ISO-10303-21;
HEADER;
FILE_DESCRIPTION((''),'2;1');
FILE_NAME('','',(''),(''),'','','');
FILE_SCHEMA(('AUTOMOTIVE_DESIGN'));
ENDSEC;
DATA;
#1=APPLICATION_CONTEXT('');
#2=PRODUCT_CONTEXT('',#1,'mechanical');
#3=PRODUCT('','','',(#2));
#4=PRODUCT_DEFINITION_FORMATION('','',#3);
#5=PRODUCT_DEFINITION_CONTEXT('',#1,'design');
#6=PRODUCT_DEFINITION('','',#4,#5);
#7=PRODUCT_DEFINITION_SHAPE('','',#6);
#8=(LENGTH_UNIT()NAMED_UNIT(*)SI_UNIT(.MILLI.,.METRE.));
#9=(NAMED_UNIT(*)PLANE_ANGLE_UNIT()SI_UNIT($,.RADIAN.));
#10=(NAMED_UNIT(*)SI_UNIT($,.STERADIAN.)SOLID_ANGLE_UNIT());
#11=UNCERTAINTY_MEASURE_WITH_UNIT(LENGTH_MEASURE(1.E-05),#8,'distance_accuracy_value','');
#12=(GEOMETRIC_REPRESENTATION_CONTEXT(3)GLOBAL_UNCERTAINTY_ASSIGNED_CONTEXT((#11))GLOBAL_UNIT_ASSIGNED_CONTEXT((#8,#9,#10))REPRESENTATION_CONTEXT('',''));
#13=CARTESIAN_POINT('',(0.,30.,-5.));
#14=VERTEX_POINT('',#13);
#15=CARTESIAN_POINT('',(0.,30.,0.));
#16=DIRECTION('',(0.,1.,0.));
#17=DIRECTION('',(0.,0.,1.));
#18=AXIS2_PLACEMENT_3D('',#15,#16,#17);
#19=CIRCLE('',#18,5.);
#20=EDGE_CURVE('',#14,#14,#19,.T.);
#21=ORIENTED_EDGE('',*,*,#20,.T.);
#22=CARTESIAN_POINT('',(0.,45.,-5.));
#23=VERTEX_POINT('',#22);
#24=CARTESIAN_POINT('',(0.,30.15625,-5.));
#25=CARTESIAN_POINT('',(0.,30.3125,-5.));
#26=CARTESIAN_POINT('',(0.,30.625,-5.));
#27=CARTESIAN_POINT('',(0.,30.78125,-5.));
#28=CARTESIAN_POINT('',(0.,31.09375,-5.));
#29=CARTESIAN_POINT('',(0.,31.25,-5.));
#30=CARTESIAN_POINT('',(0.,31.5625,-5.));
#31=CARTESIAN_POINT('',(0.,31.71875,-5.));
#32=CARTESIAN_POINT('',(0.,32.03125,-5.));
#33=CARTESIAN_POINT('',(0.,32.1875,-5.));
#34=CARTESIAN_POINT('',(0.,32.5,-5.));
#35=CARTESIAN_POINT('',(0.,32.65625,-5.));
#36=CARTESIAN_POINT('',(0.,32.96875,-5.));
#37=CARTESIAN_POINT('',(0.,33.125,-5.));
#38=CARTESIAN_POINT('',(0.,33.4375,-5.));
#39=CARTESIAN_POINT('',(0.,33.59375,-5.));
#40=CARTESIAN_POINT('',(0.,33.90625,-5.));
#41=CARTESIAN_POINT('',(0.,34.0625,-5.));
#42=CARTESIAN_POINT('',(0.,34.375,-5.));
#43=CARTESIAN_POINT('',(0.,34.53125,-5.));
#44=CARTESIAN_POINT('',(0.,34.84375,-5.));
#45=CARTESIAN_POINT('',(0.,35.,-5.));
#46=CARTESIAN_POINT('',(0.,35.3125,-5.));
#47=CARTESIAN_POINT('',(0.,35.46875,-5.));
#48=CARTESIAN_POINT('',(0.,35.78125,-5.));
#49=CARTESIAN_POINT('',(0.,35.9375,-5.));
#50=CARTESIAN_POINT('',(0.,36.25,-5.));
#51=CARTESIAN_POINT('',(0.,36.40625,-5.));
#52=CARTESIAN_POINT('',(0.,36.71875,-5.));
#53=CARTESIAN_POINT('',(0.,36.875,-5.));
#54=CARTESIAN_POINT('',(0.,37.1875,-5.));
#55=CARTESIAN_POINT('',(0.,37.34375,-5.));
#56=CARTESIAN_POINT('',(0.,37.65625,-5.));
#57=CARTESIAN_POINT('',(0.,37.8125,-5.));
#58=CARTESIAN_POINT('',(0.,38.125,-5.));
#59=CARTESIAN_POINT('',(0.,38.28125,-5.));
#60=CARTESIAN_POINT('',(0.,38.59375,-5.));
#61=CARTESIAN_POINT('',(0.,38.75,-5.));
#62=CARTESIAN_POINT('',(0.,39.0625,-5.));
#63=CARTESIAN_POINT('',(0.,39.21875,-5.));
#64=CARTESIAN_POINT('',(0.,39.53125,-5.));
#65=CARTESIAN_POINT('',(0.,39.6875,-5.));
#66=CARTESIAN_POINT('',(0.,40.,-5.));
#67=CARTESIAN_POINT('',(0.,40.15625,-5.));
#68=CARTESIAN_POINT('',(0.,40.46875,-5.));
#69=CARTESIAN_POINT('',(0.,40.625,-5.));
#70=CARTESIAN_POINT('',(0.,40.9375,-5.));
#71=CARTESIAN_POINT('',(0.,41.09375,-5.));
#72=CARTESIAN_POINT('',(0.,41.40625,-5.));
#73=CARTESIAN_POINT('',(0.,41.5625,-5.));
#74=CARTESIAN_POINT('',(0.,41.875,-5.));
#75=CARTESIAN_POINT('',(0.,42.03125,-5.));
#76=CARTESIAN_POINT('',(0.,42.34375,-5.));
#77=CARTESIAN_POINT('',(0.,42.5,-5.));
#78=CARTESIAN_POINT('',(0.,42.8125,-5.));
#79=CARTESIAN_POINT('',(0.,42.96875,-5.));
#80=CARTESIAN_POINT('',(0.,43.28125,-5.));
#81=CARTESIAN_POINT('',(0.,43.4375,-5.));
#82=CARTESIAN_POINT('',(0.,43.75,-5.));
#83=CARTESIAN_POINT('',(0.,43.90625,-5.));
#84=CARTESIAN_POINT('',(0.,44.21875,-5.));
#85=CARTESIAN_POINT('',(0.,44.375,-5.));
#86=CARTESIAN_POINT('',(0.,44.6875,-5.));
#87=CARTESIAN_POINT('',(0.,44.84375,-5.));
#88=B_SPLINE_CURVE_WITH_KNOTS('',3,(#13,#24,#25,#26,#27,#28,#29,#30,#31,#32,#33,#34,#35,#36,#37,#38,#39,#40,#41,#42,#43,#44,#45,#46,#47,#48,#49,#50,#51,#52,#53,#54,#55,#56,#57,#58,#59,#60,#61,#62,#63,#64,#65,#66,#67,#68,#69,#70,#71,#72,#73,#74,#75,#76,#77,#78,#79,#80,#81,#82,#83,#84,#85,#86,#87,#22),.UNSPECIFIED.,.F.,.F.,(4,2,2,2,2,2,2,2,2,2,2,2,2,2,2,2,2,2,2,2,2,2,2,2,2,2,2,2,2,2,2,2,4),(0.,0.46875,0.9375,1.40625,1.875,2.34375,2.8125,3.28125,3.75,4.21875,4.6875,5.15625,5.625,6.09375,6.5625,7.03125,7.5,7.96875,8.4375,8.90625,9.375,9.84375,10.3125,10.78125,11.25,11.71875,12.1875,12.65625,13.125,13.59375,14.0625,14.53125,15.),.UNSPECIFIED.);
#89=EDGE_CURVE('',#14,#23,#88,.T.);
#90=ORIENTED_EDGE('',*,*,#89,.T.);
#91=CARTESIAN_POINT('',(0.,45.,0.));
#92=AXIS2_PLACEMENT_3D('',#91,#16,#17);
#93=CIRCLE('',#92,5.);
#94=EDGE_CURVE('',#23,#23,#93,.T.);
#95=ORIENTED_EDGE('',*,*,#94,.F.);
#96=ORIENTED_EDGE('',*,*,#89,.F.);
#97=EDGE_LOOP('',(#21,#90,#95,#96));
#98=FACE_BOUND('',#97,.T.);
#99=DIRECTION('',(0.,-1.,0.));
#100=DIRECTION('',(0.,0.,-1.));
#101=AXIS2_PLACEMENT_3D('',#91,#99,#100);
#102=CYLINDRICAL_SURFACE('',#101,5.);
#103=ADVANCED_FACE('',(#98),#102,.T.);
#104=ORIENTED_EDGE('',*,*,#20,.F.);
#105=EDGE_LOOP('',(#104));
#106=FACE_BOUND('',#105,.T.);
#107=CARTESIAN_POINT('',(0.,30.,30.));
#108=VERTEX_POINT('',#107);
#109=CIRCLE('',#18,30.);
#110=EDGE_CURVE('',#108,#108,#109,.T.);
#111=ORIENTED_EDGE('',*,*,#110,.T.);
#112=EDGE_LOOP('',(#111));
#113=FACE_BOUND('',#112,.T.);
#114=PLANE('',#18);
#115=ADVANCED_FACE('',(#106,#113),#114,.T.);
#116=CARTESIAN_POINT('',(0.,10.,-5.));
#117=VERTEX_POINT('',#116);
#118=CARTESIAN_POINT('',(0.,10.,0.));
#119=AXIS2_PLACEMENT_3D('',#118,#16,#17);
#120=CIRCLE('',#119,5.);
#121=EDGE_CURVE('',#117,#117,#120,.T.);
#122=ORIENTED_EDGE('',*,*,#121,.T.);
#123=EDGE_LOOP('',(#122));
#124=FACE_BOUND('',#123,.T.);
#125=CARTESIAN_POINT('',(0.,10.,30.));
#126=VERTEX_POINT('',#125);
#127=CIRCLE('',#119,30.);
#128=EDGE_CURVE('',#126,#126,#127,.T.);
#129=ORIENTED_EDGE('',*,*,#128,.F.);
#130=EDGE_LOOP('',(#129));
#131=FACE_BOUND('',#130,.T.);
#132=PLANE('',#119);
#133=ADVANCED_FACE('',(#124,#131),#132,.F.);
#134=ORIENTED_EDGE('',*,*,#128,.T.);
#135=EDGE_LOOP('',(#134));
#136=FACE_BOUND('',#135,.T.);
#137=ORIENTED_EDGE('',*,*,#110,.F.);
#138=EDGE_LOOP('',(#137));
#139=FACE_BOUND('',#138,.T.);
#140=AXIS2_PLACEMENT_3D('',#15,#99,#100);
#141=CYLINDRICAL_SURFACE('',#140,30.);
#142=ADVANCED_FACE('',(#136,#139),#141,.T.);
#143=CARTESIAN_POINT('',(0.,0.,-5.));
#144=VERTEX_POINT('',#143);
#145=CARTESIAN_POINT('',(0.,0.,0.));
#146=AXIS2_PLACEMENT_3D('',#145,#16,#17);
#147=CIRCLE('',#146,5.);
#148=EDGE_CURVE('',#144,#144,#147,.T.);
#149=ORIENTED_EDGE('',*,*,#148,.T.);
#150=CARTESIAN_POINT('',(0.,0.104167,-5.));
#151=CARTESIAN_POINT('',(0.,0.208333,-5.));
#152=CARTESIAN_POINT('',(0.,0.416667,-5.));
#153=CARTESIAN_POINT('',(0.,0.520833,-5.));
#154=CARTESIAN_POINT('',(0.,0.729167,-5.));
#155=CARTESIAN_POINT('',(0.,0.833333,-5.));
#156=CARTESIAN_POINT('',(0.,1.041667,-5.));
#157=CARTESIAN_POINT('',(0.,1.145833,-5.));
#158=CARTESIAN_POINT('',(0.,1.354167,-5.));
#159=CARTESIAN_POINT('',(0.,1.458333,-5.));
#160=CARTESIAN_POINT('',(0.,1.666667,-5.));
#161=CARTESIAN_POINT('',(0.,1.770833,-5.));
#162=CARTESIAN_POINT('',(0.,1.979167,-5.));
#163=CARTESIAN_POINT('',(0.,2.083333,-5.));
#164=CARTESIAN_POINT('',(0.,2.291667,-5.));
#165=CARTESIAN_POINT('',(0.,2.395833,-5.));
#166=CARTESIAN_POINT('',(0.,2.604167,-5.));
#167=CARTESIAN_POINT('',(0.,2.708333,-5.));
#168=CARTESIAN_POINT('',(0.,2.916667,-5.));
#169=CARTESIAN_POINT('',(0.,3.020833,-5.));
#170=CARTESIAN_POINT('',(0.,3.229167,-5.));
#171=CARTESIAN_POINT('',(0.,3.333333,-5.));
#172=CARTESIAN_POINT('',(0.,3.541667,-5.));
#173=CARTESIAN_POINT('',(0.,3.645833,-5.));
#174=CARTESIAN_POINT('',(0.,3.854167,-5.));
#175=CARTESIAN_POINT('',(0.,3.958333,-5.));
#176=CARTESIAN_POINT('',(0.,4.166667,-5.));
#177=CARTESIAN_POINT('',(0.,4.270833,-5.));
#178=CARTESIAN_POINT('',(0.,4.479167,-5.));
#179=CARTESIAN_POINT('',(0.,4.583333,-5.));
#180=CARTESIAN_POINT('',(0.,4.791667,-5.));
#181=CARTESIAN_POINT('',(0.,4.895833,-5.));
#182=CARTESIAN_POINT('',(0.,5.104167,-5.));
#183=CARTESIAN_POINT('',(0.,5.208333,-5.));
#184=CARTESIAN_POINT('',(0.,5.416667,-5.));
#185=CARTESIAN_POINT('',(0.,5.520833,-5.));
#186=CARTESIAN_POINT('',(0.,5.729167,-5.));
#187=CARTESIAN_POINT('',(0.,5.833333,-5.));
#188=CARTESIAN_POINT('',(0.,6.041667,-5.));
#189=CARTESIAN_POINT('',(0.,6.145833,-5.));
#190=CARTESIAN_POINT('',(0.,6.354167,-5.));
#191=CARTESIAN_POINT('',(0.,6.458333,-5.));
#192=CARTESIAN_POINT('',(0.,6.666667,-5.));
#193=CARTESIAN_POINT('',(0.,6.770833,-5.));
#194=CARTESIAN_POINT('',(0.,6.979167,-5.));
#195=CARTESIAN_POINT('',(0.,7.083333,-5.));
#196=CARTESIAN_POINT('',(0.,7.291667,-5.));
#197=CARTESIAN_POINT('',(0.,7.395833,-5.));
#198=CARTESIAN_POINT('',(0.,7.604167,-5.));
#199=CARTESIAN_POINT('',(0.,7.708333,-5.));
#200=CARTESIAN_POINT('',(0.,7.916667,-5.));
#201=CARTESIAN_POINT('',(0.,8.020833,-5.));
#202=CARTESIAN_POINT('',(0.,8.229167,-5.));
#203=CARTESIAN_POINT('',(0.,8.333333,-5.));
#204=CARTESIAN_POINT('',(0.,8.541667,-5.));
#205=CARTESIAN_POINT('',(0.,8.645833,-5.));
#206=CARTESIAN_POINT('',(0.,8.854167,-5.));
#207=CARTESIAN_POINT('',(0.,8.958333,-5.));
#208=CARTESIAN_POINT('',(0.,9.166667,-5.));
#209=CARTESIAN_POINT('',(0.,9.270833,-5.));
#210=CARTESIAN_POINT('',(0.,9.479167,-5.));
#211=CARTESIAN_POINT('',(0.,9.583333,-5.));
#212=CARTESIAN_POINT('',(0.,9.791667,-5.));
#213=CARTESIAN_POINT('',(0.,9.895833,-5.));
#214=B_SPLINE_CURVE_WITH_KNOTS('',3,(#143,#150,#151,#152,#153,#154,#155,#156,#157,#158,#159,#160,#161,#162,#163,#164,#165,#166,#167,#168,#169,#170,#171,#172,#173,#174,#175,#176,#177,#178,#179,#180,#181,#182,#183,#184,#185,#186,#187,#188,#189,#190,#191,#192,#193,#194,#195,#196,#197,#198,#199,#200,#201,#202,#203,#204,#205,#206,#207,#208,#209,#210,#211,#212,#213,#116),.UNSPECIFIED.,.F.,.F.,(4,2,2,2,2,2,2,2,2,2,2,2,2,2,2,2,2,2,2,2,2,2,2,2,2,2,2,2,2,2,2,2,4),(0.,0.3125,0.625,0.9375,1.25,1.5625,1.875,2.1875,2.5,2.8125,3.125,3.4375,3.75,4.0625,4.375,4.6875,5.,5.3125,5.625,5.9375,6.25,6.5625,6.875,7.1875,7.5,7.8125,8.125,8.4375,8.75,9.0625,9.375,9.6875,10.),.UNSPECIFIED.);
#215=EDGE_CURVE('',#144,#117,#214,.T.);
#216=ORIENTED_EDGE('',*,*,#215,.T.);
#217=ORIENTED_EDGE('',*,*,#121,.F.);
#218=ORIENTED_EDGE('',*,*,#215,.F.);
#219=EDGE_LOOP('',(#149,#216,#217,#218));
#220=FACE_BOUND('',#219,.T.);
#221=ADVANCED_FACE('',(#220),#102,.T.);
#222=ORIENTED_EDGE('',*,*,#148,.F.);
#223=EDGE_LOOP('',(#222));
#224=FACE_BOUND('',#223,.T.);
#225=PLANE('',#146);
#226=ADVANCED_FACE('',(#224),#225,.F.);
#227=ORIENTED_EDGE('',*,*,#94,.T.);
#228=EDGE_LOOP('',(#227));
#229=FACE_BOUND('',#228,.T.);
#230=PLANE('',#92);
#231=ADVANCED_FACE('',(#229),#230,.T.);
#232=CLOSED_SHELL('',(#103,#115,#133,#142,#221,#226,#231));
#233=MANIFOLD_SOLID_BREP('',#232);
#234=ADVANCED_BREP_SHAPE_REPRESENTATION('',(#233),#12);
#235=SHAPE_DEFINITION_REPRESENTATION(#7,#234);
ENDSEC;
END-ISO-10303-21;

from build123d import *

# Parameters (mm, degrees)
SKETCH1_R           = 5
BOSS_EXTRUDE1_DEPTH = 45
BOSS_EXTRUDE2_START = 10
SKETCH2_R           = 30
BOSS_EXTRUDE2_DEPTH = 20


with BuildPart() as part:
    # Sketch1 → Boss-Extrude1 (new body)
    with BuildSketch(Plane(origin=(0, 0, 0), x_dir=(1, 0, 0), z_dir=(0, 1, 0))):
        with Locations(Location((0, 0, 0), (0, 0, 90))):
            Circle(SKETCH1_R)
    extrude(amount=BOSS_EXTRUDE1_DEPTH)

    # Sketch2 → Boss-Extrude2 (add)
    with BuildSketch(Plane(origin=(0, 0, 0), x_dir=(1, 0, 0), z_dir=(0, 1, 0)).offset(BOSS_EXTRUDE2_START)):
        with Locations(Location((0, 0, 0), (0, 0, 270))):
            Circle(SKETCH2_R)
    extrude(amount=BOSS_EXTRUDE2_DEPTH)


solid = part.part
